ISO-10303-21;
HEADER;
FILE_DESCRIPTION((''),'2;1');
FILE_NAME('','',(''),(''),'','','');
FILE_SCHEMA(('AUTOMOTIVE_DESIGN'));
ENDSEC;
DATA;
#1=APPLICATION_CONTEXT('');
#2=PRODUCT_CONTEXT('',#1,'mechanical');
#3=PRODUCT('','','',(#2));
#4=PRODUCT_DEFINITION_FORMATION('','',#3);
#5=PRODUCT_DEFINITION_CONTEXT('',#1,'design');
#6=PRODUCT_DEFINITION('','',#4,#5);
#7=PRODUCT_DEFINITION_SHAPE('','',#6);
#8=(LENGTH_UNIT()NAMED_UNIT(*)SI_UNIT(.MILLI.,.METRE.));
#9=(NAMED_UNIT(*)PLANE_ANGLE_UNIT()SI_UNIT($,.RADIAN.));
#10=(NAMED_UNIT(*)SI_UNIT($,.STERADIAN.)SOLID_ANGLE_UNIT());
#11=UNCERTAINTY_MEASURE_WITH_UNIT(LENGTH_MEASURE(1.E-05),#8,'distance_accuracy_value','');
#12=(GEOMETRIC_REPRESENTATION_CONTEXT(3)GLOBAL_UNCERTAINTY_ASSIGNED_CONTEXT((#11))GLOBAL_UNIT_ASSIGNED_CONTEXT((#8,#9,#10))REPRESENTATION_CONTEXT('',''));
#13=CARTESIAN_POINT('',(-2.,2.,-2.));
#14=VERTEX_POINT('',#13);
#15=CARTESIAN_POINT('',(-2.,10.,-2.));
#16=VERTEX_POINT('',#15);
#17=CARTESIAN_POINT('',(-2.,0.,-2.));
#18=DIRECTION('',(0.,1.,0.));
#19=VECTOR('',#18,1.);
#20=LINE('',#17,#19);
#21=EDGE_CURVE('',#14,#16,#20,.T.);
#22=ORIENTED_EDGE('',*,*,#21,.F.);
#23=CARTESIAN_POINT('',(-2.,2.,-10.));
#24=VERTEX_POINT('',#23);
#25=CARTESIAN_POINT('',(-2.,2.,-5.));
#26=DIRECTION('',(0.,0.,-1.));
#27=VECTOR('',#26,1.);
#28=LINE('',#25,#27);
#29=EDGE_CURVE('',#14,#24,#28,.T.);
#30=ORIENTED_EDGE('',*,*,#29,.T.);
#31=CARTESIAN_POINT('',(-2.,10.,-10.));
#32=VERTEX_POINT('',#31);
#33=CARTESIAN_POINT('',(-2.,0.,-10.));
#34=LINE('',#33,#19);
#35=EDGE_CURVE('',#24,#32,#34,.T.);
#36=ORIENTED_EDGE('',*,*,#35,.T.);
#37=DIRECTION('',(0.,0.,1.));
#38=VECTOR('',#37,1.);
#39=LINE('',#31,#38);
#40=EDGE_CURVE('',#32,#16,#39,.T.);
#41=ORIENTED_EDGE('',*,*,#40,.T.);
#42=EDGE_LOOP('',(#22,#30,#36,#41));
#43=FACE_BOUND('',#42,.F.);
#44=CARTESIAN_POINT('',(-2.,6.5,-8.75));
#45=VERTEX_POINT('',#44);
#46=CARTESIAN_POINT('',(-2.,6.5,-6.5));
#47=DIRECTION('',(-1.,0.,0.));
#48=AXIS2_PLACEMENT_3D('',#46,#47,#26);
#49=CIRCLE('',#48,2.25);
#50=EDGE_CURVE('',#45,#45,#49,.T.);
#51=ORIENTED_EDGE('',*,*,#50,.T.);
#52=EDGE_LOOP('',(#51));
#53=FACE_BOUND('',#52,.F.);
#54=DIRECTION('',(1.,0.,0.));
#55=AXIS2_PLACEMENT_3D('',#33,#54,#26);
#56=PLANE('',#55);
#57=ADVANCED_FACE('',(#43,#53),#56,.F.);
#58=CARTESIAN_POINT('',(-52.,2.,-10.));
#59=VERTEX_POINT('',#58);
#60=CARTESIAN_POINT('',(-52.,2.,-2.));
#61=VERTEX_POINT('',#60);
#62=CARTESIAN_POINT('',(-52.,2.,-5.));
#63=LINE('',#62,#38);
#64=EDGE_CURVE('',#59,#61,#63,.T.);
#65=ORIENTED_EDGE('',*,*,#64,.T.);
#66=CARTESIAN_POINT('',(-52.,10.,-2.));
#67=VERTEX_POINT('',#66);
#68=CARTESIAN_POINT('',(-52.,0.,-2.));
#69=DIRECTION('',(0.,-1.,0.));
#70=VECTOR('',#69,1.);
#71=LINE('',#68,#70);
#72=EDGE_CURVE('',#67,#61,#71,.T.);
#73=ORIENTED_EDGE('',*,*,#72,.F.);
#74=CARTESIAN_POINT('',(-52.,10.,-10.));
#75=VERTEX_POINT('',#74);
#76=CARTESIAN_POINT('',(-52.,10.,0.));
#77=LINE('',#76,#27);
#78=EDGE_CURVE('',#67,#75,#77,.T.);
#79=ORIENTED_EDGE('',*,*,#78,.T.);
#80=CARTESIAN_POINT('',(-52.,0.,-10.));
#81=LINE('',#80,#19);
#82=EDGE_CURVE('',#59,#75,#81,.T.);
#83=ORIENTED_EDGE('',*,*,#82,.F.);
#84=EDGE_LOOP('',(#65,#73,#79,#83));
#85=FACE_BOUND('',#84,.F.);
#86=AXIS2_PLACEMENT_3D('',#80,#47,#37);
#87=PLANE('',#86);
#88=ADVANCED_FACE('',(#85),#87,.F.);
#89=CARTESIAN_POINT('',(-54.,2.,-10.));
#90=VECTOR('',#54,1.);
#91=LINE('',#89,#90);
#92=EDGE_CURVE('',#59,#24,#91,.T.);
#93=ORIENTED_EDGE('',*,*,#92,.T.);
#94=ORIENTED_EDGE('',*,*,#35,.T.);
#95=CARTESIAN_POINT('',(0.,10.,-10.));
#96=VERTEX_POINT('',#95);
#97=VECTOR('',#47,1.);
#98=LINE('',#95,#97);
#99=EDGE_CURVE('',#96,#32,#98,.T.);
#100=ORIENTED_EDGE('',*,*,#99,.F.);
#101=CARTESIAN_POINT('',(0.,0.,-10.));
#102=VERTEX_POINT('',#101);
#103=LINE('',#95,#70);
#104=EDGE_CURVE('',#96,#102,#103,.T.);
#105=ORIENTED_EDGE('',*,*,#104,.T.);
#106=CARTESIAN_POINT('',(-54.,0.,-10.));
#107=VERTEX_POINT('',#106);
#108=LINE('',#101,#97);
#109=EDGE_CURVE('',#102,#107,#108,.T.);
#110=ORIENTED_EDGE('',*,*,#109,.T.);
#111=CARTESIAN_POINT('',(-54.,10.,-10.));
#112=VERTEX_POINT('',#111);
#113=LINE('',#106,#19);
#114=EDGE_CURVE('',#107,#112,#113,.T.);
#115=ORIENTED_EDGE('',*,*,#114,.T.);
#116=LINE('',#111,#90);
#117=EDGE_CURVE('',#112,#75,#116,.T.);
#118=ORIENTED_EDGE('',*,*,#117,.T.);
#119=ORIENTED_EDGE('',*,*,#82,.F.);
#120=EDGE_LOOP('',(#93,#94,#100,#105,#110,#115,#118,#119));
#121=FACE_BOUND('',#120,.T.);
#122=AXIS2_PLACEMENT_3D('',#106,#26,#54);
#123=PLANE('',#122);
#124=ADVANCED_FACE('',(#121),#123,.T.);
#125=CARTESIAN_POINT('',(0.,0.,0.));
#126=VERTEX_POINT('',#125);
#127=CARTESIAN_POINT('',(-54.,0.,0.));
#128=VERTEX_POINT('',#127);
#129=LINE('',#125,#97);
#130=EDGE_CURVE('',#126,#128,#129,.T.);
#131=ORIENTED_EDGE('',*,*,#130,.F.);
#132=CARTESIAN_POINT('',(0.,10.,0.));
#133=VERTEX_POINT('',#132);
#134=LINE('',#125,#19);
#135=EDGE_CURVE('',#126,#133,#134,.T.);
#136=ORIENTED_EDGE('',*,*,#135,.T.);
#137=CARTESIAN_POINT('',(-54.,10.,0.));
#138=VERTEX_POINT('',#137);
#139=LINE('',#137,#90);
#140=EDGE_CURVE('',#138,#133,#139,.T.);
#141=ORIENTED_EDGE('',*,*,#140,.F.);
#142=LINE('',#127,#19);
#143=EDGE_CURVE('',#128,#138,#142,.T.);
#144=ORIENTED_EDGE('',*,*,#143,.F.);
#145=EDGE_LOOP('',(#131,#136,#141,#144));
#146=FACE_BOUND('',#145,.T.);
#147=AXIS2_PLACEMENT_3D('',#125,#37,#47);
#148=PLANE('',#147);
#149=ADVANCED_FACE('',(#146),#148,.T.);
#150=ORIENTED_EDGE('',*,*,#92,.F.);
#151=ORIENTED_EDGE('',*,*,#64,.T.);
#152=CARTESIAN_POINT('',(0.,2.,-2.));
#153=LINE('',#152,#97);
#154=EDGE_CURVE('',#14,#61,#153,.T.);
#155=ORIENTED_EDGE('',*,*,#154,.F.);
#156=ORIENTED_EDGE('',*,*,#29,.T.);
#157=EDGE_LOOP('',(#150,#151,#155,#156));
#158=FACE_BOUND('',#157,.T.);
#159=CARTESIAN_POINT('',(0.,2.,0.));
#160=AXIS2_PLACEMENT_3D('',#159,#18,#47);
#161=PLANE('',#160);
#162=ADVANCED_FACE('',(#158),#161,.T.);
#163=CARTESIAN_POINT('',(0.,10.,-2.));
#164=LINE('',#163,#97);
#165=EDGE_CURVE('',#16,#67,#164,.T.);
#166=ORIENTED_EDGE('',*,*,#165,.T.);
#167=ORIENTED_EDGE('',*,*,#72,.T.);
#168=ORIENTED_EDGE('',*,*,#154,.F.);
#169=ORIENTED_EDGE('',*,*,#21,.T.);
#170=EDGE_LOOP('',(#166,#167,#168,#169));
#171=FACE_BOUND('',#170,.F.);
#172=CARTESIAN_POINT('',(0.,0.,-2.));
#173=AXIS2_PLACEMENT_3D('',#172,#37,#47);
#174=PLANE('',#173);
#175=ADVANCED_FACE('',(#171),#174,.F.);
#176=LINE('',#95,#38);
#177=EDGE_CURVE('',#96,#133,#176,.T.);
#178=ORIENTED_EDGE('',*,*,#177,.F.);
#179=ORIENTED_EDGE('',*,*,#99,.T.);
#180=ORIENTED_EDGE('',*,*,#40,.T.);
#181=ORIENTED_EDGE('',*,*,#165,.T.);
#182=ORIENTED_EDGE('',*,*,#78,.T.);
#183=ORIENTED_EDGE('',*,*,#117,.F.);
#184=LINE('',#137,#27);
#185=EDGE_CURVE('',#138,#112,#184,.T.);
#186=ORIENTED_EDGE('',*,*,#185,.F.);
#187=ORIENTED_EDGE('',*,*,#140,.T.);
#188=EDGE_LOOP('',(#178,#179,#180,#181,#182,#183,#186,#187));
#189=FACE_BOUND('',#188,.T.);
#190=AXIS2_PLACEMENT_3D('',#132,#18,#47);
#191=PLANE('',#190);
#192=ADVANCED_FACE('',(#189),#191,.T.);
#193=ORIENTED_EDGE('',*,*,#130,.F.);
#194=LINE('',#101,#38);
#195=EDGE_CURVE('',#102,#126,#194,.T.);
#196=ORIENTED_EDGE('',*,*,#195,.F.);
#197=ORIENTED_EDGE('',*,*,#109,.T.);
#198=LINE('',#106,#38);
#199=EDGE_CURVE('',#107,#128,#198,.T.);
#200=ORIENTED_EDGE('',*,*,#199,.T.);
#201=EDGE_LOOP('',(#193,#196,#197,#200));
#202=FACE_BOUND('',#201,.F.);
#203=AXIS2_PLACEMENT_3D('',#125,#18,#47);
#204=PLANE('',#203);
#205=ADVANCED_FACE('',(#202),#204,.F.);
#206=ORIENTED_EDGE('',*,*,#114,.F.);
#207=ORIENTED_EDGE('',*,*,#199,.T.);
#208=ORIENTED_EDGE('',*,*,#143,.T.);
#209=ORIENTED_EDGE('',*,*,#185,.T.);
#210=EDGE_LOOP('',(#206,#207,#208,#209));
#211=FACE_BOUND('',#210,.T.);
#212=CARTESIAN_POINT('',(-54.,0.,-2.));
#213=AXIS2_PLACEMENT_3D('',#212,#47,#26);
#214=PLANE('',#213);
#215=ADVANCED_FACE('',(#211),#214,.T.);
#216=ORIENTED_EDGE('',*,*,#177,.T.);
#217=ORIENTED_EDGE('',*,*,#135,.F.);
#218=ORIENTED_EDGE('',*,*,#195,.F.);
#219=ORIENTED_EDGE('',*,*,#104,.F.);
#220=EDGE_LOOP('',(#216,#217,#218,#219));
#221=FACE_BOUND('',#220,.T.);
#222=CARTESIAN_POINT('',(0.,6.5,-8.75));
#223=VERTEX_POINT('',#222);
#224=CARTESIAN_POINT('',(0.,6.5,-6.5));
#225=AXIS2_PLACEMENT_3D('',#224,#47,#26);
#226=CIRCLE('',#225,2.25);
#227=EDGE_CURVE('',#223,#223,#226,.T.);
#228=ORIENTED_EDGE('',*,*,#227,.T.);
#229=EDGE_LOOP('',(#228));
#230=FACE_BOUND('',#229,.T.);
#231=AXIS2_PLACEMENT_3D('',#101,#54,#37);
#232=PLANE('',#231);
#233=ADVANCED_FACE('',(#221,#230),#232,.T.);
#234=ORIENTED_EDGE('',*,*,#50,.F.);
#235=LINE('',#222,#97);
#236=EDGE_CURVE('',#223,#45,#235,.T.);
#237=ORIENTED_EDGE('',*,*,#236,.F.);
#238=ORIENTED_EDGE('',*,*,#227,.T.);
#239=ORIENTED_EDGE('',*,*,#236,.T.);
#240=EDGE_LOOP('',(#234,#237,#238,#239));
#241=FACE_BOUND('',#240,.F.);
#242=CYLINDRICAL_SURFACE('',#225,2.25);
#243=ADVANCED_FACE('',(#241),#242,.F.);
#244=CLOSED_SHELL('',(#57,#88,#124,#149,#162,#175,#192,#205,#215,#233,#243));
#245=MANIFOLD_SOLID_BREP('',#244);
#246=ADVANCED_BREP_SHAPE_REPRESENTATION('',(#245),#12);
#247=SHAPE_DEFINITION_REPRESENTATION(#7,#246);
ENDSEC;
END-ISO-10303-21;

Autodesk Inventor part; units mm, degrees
ref_plane "YZ Plane" through (0, 0, 0) normal (1, 0, 0) x (0, 1, 0)
ref_plane "XZ Plane" through (0, 0, 0) normal (0, 1, 0) x (-1, 0, 0)
ref_plane "XY Plane" through (0, 0, 0) normal (0, 0, 1) x (1, 0, 0)
sketch "Sketch1" plane through (0, 0, 0) normal (0, 1, 0) x (-1, 0, 0)
  line L0 (0, 0) -> (54, 0)
  line L1 (54, 0) -> (54, -10)
  line L2 (54, -10) -> (0, -10)
  line L3 (0, -10) -> (0, 0)
  line L4 (54, 0) -> (0, 0)
  line L5 (0, 0) -> (0, -2)
  line L6 (0, -2) -> (54, -2)
  line L7 (54, -2) -> (54, 0)
  dimension "d0" = 54
  dimension "d1" = 10
  dimension "d3" = 2
extrude "Extrusion1" add sketch "Sketch1" along normal blind 2 contours L6 L1 L2 L3
extrude "Extrusion2" add sketch "Sketch1" along normal blind 10 contours L0 L1 L6 L3
sketch "Sketch2" plane through (0, 0, -10) normal (1, 0, 0) x (0, 0, -1)
  line L0 (-10, 0) -> (0, 0) projected
  line L1 (-10, 0) -> (0, 0)
  line L2 (0, 0) -> (0, 10)
  line L3 (0, 10) -> (-10, 10)
  line L4 (-10, 10) -> (-10, 0)
  dimension "d8" = 10
  dimension "d9" = 10
extrude "Extrusion3" add sketch "Sketch2" against normal blind 2
sketch "Sketch3" plane through (-54, 0, -10) normal (-1, 0, 0) x (0, 0, 1)
  line L0 (0, 0) -> (0, 10) projected
  line L1 (10, 10) -> (0, 10) projected
  line L2 (0, 0) -> (10, 0)
  line L3 (10, 0) -> (10, 10)
  line L4 (10, 10) -> (0, 10)
  line L5 (0, 10) -> (0, 0)
  point P0 (10, 0)
extrude "Extrusion4" add sketch "Sketch3" against normal blind 2
sketch "Sketch5" plane through (0, 0, 0) normal (1, 0, 0) x (0, 0, -1)
  line L0 (10, 0) -> (10, 10) projected
  line L1 (0, 10) -> (10, 10) projected
  point P0 (0, 0)
  point P1 (6.5, 6.5)
  dimension "d19" = 3.5
  dimension "d20" = 3.5
hole "Hole1" at (0, 6.5, -6.5) direction (-1, 0, 0) diameter 4.5 depth 2 clearance for "Flat Head Machine Screw" size "M4" standard "Ansi Metric M Profile"
properties part number "Hinge Holder"
